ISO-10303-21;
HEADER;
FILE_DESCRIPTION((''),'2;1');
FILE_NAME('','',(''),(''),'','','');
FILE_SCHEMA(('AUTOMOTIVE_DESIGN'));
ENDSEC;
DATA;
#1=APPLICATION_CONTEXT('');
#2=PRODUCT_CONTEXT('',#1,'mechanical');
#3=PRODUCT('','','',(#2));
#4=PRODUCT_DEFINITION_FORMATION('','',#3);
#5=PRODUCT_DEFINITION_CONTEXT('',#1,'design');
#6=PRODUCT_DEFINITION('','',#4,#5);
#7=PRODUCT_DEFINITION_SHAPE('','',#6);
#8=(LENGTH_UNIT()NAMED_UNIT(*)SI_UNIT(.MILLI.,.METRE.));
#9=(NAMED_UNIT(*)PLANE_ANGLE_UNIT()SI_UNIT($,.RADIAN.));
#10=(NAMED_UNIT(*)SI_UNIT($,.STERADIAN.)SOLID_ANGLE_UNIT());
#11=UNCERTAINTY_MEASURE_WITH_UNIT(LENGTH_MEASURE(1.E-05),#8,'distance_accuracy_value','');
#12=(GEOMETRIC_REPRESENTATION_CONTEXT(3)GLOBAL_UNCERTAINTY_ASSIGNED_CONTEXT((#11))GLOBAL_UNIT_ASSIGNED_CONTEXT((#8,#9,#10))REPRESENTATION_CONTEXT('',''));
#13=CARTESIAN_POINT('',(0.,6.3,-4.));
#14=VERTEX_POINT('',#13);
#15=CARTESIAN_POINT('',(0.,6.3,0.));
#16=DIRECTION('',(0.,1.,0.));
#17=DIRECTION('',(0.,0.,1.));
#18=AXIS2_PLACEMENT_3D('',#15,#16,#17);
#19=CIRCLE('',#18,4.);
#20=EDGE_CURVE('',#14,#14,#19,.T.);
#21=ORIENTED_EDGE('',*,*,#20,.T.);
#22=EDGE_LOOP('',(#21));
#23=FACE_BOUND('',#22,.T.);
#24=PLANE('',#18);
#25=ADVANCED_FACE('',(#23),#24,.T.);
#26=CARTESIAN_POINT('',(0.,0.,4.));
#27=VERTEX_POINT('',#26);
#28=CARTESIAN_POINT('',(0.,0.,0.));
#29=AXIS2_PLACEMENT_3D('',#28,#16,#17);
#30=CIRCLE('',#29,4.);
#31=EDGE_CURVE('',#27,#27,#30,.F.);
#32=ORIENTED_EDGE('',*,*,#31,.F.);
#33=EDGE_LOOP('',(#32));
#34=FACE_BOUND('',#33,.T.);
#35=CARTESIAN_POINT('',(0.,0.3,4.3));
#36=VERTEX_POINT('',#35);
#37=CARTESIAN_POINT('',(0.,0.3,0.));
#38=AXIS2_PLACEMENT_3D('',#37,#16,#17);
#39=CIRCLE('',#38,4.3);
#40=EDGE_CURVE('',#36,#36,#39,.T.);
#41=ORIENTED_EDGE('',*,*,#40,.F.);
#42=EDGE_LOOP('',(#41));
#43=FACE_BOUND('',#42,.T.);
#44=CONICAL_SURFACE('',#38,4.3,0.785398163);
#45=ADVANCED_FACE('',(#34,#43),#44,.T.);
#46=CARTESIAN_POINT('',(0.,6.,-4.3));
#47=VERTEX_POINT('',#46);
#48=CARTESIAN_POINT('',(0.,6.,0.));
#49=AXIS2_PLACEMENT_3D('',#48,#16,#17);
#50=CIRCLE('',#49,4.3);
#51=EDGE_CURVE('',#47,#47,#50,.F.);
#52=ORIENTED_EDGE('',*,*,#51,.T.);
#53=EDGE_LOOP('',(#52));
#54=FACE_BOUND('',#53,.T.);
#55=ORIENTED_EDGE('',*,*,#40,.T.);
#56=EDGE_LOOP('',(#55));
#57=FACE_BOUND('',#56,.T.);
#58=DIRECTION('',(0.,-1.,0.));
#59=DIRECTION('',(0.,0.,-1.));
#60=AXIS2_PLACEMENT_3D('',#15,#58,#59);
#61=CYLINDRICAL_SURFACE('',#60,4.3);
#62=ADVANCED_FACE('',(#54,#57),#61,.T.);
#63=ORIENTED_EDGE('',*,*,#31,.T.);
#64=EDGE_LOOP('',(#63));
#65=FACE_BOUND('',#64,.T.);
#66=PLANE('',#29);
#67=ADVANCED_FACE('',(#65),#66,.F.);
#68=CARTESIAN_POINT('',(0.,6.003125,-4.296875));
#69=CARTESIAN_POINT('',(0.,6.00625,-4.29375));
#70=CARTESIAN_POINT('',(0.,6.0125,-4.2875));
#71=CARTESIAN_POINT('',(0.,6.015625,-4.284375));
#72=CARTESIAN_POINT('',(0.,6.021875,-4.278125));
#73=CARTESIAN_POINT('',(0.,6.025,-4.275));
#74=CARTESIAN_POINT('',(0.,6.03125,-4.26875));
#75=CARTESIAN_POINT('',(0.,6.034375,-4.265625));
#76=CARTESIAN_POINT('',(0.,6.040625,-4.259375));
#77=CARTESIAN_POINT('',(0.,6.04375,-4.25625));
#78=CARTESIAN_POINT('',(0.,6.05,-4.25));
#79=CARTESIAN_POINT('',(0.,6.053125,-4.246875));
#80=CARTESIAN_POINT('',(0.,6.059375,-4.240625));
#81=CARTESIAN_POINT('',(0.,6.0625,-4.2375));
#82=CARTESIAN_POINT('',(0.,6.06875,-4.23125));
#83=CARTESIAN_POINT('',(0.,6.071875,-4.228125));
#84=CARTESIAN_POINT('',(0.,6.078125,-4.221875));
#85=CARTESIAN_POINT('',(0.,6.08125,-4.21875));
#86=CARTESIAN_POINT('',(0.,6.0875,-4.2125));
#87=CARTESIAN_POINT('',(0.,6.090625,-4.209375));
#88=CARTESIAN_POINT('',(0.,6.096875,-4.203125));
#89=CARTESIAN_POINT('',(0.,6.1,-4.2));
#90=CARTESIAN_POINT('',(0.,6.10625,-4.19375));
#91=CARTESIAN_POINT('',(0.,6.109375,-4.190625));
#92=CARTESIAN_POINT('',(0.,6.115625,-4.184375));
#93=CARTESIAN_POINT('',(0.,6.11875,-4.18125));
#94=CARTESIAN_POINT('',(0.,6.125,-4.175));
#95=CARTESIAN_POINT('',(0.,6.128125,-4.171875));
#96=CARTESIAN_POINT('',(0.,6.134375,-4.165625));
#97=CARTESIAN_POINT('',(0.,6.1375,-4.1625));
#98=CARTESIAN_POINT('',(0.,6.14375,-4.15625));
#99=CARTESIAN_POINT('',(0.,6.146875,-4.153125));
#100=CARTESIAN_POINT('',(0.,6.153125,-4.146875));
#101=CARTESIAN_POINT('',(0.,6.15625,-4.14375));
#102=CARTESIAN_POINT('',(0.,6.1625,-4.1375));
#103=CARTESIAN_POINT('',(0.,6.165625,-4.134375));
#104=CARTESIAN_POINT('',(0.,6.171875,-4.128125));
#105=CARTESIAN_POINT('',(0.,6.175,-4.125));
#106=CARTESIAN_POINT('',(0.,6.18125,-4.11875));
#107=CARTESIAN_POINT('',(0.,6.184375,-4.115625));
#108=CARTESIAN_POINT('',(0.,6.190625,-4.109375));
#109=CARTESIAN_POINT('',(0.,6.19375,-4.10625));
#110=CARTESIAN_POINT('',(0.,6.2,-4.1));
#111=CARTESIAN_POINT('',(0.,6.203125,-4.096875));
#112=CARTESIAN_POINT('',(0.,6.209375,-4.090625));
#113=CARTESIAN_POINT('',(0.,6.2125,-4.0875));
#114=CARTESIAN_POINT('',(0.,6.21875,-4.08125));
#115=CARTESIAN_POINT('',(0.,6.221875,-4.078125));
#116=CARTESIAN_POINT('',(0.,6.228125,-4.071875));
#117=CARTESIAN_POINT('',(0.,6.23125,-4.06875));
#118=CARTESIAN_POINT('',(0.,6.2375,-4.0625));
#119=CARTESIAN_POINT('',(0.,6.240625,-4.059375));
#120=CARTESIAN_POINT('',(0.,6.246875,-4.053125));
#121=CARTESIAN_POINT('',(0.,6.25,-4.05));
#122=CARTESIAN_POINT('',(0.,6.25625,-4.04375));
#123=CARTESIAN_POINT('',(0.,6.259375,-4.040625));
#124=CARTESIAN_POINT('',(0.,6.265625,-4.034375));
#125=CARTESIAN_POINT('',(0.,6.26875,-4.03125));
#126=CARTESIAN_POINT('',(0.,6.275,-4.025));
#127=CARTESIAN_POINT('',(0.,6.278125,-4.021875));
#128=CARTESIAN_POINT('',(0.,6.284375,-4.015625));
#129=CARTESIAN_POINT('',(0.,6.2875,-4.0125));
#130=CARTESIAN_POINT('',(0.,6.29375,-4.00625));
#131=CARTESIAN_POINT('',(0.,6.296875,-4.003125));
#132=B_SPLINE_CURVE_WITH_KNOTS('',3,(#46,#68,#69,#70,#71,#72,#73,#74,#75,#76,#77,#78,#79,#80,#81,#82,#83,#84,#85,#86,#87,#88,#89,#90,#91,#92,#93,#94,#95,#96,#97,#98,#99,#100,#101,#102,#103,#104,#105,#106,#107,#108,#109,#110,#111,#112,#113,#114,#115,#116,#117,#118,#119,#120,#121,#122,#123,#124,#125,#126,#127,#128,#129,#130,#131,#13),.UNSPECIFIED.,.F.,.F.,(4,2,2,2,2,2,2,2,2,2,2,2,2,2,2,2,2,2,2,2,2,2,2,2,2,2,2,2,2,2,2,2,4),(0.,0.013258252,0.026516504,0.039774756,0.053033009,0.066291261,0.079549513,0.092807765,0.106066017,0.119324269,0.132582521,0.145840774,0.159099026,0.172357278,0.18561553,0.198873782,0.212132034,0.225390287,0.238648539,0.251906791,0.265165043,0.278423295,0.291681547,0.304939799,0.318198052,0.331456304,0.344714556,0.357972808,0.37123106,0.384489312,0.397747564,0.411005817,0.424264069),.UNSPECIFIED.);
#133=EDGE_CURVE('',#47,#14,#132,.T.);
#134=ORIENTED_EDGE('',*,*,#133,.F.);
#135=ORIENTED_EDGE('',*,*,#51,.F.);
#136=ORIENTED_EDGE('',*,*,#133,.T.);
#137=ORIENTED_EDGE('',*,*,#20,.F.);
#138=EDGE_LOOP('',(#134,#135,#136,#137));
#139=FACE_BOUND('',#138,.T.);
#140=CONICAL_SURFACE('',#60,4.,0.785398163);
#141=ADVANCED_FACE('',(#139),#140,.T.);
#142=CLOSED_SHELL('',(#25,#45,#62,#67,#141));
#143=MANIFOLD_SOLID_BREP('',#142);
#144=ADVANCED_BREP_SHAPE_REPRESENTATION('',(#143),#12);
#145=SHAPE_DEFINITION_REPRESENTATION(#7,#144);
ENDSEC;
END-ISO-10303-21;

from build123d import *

# Parameters (mm, degrees)
SKETCH1_R           = 4.3
BOSS_EXTRUDE1_DEPTH = 6.3
CHAMFER1_SIZE       = 0.3


with BuildPart() as part:
    # Sketch1 → Boss-Extrude1 (new body)
    with BuildSketch(Plane(origin=(0, 0, 0), x_dir=(1, 0, 0), z_dir=(0, 1, 0))):
        with Locations(Location((0, 0, 0), (0, 0, 270))):
            Circle(SKETCH1_R)
    extrude(amount=BOSS_EXTRUDE1_DEPTH)

    # Chamfer1
    chamfer1_edges = [part.edges().sort_by_distance(p)[0] for p in [
        (0, 0, -4.3),
        (0, 6.3, -4.3),
    ]]
    chamfer(chamfer1_edges, length=CHAMFER1_SIZE)


solid = part.part
